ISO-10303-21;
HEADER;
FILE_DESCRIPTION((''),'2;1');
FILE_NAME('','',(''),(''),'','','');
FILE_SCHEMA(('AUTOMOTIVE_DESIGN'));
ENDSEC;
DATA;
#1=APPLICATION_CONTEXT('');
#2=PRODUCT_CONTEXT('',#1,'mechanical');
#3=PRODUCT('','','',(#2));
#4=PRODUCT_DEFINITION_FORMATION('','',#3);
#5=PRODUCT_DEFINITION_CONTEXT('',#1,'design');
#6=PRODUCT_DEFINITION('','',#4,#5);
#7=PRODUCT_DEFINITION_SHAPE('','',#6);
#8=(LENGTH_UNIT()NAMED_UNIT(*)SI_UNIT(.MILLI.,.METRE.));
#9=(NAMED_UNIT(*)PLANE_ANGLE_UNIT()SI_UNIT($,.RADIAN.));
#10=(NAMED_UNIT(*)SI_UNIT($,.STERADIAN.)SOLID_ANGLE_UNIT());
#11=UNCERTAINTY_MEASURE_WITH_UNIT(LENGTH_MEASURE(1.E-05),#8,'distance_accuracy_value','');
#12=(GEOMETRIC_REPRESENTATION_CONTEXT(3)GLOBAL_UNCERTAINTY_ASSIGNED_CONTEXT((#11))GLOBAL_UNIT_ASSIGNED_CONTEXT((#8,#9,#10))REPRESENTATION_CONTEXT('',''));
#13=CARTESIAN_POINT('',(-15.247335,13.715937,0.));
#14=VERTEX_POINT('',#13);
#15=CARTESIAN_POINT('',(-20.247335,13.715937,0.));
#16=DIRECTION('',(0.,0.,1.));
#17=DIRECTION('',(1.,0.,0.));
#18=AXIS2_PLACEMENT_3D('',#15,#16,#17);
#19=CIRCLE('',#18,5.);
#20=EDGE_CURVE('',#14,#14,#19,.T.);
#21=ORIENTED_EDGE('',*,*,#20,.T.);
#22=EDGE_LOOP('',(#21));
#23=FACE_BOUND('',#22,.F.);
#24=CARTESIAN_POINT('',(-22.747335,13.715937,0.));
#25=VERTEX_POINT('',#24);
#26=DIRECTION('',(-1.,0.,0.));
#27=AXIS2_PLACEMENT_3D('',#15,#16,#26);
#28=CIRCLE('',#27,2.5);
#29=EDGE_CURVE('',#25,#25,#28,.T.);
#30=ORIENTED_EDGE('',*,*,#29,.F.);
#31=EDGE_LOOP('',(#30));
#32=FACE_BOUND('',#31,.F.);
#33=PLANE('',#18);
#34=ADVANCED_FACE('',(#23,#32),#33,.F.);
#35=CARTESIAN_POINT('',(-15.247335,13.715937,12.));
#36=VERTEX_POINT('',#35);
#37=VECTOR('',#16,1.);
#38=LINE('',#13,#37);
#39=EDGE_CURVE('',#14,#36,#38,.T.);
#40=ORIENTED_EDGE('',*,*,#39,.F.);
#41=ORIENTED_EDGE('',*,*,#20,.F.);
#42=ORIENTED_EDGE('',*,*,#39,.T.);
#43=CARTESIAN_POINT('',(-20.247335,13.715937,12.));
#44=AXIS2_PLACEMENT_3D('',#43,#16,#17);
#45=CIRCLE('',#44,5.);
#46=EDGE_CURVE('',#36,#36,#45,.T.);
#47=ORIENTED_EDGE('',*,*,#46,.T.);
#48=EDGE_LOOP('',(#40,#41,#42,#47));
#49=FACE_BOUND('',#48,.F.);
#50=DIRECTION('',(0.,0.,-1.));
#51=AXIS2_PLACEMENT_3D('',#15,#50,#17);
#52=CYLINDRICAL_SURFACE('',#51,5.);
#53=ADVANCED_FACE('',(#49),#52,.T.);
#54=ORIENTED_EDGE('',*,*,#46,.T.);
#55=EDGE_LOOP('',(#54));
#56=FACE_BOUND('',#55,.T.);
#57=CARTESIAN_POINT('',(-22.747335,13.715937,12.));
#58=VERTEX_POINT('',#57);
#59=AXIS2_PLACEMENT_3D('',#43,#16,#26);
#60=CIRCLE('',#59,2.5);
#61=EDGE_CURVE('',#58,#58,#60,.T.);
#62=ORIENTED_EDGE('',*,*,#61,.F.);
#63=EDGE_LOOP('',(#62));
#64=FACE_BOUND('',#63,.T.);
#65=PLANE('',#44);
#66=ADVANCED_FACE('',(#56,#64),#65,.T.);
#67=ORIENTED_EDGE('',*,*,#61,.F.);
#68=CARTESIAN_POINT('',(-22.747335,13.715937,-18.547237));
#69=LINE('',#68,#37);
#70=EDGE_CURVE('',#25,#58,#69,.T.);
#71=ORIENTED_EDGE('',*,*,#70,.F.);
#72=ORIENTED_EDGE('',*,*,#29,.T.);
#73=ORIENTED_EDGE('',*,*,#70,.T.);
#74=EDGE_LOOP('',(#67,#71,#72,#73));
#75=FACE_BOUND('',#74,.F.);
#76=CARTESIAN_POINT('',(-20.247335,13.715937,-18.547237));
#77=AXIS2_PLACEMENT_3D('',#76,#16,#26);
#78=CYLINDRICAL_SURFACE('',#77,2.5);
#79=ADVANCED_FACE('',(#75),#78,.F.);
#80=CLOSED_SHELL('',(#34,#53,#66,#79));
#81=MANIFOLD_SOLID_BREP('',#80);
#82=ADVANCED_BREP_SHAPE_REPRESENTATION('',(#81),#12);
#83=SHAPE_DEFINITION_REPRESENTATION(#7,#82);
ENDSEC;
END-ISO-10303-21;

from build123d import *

# Parameters (mm, degrees)
F0_R     = 5
F1_DEPTH = 12
F2_D     = 5


with BuildPart() as f1:
    # F0 (on Top) → F1 (new body)
    with BuildSketch(Plane.XY):
        with Locations((-20.2473346144, 13.7159368023)):
            Circle(F0_R)
    extrude(amount=F1_DEPTH)

    # F2 (through all)
    with Locations(Plane(origin=(0, 0, 0), x_dir=(1, 0, 0), z_dir=(0, 0, -1))):
        with Locations((-20.2473346144, -13.7159368023)):
            Hole(F2_D / 2)


solid = f1.part
